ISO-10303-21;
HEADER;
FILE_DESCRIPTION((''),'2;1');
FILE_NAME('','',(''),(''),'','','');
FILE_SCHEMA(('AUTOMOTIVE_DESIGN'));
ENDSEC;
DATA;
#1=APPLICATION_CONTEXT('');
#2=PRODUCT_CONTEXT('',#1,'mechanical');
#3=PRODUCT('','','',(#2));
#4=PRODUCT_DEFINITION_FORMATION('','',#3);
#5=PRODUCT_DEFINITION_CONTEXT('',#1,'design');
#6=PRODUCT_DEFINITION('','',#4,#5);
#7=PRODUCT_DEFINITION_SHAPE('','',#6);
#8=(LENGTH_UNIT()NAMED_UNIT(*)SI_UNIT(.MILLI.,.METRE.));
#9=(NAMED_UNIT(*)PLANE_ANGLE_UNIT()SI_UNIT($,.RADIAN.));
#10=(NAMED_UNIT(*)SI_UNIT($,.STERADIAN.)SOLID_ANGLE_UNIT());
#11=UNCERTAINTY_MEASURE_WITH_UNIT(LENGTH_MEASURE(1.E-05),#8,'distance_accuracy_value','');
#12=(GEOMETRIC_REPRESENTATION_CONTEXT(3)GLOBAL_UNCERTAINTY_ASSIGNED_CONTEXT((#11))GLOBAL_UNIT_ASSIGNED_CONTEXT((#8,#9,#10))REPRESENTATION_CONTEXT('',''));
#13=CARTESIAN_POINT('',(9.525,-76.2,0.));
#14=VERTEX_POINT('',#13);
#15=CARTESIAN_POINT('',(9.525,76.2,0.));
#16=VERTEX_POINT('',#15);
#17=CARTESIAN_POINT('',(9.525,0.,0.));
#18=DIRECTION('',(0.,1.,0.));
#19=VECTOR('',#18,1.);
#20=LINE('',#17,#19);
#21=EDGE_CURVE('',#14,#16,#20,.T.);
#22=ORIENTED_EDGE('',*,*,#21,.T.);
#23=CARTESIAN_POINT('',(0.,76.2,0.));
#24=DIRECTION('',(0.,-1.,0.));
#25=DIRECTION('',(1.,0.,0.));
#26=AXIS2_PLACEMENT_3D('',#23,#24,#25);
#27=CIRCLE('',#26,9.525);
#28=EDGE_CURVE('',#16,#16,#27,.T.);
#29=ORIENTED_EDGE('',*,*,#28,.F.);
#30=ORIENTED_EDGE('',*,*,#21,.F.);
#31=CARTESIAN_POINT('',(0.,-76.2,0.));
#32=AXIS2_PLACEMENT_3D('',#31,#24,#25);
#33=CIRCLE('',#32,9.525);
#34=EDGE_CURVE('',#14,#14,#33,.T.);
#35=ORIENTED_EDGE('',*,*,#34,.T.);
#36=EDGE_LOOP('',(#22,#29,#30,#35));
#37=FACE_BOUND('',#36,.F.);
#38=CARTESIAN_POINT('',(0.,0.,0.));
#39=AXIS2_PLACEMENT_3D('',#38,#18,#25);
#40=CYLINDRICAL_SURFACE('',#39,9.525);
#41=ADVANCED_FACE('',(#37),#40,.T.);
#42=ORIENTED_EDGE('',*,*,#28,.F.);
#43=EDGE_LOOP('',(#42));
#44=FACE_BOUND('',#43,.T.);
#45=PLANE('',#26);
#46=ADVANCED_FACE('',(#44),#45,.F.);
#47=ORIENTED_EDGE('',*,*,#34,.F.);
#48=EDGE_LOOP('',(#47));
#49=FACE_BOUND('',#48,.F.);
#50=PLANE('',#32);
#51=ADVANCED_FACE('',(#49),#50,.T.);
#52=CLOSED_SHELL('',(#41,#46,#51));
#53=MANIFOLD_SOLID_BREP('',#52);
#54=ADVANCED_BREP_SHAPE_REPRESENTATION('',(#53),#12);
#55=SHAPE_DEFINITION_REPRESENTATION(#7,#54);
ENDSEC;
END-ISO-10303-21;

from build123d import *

# Parameters (mm, degrees)
SKETCH1_W = 9.525
SKETCH1_H = 152.4


with BuildPart() as part:
    # Sketch1 → Revolve1 (revolve)
    with BuildSketch(Plane.XY):
        with Locations((4.7625, 0)):
            Rectangle(SKETCH1_W, SKETCH1_H)
    revolve(axis=Axis((0, 101.6, 0), (0, -1, 0)))


solid = part.part
